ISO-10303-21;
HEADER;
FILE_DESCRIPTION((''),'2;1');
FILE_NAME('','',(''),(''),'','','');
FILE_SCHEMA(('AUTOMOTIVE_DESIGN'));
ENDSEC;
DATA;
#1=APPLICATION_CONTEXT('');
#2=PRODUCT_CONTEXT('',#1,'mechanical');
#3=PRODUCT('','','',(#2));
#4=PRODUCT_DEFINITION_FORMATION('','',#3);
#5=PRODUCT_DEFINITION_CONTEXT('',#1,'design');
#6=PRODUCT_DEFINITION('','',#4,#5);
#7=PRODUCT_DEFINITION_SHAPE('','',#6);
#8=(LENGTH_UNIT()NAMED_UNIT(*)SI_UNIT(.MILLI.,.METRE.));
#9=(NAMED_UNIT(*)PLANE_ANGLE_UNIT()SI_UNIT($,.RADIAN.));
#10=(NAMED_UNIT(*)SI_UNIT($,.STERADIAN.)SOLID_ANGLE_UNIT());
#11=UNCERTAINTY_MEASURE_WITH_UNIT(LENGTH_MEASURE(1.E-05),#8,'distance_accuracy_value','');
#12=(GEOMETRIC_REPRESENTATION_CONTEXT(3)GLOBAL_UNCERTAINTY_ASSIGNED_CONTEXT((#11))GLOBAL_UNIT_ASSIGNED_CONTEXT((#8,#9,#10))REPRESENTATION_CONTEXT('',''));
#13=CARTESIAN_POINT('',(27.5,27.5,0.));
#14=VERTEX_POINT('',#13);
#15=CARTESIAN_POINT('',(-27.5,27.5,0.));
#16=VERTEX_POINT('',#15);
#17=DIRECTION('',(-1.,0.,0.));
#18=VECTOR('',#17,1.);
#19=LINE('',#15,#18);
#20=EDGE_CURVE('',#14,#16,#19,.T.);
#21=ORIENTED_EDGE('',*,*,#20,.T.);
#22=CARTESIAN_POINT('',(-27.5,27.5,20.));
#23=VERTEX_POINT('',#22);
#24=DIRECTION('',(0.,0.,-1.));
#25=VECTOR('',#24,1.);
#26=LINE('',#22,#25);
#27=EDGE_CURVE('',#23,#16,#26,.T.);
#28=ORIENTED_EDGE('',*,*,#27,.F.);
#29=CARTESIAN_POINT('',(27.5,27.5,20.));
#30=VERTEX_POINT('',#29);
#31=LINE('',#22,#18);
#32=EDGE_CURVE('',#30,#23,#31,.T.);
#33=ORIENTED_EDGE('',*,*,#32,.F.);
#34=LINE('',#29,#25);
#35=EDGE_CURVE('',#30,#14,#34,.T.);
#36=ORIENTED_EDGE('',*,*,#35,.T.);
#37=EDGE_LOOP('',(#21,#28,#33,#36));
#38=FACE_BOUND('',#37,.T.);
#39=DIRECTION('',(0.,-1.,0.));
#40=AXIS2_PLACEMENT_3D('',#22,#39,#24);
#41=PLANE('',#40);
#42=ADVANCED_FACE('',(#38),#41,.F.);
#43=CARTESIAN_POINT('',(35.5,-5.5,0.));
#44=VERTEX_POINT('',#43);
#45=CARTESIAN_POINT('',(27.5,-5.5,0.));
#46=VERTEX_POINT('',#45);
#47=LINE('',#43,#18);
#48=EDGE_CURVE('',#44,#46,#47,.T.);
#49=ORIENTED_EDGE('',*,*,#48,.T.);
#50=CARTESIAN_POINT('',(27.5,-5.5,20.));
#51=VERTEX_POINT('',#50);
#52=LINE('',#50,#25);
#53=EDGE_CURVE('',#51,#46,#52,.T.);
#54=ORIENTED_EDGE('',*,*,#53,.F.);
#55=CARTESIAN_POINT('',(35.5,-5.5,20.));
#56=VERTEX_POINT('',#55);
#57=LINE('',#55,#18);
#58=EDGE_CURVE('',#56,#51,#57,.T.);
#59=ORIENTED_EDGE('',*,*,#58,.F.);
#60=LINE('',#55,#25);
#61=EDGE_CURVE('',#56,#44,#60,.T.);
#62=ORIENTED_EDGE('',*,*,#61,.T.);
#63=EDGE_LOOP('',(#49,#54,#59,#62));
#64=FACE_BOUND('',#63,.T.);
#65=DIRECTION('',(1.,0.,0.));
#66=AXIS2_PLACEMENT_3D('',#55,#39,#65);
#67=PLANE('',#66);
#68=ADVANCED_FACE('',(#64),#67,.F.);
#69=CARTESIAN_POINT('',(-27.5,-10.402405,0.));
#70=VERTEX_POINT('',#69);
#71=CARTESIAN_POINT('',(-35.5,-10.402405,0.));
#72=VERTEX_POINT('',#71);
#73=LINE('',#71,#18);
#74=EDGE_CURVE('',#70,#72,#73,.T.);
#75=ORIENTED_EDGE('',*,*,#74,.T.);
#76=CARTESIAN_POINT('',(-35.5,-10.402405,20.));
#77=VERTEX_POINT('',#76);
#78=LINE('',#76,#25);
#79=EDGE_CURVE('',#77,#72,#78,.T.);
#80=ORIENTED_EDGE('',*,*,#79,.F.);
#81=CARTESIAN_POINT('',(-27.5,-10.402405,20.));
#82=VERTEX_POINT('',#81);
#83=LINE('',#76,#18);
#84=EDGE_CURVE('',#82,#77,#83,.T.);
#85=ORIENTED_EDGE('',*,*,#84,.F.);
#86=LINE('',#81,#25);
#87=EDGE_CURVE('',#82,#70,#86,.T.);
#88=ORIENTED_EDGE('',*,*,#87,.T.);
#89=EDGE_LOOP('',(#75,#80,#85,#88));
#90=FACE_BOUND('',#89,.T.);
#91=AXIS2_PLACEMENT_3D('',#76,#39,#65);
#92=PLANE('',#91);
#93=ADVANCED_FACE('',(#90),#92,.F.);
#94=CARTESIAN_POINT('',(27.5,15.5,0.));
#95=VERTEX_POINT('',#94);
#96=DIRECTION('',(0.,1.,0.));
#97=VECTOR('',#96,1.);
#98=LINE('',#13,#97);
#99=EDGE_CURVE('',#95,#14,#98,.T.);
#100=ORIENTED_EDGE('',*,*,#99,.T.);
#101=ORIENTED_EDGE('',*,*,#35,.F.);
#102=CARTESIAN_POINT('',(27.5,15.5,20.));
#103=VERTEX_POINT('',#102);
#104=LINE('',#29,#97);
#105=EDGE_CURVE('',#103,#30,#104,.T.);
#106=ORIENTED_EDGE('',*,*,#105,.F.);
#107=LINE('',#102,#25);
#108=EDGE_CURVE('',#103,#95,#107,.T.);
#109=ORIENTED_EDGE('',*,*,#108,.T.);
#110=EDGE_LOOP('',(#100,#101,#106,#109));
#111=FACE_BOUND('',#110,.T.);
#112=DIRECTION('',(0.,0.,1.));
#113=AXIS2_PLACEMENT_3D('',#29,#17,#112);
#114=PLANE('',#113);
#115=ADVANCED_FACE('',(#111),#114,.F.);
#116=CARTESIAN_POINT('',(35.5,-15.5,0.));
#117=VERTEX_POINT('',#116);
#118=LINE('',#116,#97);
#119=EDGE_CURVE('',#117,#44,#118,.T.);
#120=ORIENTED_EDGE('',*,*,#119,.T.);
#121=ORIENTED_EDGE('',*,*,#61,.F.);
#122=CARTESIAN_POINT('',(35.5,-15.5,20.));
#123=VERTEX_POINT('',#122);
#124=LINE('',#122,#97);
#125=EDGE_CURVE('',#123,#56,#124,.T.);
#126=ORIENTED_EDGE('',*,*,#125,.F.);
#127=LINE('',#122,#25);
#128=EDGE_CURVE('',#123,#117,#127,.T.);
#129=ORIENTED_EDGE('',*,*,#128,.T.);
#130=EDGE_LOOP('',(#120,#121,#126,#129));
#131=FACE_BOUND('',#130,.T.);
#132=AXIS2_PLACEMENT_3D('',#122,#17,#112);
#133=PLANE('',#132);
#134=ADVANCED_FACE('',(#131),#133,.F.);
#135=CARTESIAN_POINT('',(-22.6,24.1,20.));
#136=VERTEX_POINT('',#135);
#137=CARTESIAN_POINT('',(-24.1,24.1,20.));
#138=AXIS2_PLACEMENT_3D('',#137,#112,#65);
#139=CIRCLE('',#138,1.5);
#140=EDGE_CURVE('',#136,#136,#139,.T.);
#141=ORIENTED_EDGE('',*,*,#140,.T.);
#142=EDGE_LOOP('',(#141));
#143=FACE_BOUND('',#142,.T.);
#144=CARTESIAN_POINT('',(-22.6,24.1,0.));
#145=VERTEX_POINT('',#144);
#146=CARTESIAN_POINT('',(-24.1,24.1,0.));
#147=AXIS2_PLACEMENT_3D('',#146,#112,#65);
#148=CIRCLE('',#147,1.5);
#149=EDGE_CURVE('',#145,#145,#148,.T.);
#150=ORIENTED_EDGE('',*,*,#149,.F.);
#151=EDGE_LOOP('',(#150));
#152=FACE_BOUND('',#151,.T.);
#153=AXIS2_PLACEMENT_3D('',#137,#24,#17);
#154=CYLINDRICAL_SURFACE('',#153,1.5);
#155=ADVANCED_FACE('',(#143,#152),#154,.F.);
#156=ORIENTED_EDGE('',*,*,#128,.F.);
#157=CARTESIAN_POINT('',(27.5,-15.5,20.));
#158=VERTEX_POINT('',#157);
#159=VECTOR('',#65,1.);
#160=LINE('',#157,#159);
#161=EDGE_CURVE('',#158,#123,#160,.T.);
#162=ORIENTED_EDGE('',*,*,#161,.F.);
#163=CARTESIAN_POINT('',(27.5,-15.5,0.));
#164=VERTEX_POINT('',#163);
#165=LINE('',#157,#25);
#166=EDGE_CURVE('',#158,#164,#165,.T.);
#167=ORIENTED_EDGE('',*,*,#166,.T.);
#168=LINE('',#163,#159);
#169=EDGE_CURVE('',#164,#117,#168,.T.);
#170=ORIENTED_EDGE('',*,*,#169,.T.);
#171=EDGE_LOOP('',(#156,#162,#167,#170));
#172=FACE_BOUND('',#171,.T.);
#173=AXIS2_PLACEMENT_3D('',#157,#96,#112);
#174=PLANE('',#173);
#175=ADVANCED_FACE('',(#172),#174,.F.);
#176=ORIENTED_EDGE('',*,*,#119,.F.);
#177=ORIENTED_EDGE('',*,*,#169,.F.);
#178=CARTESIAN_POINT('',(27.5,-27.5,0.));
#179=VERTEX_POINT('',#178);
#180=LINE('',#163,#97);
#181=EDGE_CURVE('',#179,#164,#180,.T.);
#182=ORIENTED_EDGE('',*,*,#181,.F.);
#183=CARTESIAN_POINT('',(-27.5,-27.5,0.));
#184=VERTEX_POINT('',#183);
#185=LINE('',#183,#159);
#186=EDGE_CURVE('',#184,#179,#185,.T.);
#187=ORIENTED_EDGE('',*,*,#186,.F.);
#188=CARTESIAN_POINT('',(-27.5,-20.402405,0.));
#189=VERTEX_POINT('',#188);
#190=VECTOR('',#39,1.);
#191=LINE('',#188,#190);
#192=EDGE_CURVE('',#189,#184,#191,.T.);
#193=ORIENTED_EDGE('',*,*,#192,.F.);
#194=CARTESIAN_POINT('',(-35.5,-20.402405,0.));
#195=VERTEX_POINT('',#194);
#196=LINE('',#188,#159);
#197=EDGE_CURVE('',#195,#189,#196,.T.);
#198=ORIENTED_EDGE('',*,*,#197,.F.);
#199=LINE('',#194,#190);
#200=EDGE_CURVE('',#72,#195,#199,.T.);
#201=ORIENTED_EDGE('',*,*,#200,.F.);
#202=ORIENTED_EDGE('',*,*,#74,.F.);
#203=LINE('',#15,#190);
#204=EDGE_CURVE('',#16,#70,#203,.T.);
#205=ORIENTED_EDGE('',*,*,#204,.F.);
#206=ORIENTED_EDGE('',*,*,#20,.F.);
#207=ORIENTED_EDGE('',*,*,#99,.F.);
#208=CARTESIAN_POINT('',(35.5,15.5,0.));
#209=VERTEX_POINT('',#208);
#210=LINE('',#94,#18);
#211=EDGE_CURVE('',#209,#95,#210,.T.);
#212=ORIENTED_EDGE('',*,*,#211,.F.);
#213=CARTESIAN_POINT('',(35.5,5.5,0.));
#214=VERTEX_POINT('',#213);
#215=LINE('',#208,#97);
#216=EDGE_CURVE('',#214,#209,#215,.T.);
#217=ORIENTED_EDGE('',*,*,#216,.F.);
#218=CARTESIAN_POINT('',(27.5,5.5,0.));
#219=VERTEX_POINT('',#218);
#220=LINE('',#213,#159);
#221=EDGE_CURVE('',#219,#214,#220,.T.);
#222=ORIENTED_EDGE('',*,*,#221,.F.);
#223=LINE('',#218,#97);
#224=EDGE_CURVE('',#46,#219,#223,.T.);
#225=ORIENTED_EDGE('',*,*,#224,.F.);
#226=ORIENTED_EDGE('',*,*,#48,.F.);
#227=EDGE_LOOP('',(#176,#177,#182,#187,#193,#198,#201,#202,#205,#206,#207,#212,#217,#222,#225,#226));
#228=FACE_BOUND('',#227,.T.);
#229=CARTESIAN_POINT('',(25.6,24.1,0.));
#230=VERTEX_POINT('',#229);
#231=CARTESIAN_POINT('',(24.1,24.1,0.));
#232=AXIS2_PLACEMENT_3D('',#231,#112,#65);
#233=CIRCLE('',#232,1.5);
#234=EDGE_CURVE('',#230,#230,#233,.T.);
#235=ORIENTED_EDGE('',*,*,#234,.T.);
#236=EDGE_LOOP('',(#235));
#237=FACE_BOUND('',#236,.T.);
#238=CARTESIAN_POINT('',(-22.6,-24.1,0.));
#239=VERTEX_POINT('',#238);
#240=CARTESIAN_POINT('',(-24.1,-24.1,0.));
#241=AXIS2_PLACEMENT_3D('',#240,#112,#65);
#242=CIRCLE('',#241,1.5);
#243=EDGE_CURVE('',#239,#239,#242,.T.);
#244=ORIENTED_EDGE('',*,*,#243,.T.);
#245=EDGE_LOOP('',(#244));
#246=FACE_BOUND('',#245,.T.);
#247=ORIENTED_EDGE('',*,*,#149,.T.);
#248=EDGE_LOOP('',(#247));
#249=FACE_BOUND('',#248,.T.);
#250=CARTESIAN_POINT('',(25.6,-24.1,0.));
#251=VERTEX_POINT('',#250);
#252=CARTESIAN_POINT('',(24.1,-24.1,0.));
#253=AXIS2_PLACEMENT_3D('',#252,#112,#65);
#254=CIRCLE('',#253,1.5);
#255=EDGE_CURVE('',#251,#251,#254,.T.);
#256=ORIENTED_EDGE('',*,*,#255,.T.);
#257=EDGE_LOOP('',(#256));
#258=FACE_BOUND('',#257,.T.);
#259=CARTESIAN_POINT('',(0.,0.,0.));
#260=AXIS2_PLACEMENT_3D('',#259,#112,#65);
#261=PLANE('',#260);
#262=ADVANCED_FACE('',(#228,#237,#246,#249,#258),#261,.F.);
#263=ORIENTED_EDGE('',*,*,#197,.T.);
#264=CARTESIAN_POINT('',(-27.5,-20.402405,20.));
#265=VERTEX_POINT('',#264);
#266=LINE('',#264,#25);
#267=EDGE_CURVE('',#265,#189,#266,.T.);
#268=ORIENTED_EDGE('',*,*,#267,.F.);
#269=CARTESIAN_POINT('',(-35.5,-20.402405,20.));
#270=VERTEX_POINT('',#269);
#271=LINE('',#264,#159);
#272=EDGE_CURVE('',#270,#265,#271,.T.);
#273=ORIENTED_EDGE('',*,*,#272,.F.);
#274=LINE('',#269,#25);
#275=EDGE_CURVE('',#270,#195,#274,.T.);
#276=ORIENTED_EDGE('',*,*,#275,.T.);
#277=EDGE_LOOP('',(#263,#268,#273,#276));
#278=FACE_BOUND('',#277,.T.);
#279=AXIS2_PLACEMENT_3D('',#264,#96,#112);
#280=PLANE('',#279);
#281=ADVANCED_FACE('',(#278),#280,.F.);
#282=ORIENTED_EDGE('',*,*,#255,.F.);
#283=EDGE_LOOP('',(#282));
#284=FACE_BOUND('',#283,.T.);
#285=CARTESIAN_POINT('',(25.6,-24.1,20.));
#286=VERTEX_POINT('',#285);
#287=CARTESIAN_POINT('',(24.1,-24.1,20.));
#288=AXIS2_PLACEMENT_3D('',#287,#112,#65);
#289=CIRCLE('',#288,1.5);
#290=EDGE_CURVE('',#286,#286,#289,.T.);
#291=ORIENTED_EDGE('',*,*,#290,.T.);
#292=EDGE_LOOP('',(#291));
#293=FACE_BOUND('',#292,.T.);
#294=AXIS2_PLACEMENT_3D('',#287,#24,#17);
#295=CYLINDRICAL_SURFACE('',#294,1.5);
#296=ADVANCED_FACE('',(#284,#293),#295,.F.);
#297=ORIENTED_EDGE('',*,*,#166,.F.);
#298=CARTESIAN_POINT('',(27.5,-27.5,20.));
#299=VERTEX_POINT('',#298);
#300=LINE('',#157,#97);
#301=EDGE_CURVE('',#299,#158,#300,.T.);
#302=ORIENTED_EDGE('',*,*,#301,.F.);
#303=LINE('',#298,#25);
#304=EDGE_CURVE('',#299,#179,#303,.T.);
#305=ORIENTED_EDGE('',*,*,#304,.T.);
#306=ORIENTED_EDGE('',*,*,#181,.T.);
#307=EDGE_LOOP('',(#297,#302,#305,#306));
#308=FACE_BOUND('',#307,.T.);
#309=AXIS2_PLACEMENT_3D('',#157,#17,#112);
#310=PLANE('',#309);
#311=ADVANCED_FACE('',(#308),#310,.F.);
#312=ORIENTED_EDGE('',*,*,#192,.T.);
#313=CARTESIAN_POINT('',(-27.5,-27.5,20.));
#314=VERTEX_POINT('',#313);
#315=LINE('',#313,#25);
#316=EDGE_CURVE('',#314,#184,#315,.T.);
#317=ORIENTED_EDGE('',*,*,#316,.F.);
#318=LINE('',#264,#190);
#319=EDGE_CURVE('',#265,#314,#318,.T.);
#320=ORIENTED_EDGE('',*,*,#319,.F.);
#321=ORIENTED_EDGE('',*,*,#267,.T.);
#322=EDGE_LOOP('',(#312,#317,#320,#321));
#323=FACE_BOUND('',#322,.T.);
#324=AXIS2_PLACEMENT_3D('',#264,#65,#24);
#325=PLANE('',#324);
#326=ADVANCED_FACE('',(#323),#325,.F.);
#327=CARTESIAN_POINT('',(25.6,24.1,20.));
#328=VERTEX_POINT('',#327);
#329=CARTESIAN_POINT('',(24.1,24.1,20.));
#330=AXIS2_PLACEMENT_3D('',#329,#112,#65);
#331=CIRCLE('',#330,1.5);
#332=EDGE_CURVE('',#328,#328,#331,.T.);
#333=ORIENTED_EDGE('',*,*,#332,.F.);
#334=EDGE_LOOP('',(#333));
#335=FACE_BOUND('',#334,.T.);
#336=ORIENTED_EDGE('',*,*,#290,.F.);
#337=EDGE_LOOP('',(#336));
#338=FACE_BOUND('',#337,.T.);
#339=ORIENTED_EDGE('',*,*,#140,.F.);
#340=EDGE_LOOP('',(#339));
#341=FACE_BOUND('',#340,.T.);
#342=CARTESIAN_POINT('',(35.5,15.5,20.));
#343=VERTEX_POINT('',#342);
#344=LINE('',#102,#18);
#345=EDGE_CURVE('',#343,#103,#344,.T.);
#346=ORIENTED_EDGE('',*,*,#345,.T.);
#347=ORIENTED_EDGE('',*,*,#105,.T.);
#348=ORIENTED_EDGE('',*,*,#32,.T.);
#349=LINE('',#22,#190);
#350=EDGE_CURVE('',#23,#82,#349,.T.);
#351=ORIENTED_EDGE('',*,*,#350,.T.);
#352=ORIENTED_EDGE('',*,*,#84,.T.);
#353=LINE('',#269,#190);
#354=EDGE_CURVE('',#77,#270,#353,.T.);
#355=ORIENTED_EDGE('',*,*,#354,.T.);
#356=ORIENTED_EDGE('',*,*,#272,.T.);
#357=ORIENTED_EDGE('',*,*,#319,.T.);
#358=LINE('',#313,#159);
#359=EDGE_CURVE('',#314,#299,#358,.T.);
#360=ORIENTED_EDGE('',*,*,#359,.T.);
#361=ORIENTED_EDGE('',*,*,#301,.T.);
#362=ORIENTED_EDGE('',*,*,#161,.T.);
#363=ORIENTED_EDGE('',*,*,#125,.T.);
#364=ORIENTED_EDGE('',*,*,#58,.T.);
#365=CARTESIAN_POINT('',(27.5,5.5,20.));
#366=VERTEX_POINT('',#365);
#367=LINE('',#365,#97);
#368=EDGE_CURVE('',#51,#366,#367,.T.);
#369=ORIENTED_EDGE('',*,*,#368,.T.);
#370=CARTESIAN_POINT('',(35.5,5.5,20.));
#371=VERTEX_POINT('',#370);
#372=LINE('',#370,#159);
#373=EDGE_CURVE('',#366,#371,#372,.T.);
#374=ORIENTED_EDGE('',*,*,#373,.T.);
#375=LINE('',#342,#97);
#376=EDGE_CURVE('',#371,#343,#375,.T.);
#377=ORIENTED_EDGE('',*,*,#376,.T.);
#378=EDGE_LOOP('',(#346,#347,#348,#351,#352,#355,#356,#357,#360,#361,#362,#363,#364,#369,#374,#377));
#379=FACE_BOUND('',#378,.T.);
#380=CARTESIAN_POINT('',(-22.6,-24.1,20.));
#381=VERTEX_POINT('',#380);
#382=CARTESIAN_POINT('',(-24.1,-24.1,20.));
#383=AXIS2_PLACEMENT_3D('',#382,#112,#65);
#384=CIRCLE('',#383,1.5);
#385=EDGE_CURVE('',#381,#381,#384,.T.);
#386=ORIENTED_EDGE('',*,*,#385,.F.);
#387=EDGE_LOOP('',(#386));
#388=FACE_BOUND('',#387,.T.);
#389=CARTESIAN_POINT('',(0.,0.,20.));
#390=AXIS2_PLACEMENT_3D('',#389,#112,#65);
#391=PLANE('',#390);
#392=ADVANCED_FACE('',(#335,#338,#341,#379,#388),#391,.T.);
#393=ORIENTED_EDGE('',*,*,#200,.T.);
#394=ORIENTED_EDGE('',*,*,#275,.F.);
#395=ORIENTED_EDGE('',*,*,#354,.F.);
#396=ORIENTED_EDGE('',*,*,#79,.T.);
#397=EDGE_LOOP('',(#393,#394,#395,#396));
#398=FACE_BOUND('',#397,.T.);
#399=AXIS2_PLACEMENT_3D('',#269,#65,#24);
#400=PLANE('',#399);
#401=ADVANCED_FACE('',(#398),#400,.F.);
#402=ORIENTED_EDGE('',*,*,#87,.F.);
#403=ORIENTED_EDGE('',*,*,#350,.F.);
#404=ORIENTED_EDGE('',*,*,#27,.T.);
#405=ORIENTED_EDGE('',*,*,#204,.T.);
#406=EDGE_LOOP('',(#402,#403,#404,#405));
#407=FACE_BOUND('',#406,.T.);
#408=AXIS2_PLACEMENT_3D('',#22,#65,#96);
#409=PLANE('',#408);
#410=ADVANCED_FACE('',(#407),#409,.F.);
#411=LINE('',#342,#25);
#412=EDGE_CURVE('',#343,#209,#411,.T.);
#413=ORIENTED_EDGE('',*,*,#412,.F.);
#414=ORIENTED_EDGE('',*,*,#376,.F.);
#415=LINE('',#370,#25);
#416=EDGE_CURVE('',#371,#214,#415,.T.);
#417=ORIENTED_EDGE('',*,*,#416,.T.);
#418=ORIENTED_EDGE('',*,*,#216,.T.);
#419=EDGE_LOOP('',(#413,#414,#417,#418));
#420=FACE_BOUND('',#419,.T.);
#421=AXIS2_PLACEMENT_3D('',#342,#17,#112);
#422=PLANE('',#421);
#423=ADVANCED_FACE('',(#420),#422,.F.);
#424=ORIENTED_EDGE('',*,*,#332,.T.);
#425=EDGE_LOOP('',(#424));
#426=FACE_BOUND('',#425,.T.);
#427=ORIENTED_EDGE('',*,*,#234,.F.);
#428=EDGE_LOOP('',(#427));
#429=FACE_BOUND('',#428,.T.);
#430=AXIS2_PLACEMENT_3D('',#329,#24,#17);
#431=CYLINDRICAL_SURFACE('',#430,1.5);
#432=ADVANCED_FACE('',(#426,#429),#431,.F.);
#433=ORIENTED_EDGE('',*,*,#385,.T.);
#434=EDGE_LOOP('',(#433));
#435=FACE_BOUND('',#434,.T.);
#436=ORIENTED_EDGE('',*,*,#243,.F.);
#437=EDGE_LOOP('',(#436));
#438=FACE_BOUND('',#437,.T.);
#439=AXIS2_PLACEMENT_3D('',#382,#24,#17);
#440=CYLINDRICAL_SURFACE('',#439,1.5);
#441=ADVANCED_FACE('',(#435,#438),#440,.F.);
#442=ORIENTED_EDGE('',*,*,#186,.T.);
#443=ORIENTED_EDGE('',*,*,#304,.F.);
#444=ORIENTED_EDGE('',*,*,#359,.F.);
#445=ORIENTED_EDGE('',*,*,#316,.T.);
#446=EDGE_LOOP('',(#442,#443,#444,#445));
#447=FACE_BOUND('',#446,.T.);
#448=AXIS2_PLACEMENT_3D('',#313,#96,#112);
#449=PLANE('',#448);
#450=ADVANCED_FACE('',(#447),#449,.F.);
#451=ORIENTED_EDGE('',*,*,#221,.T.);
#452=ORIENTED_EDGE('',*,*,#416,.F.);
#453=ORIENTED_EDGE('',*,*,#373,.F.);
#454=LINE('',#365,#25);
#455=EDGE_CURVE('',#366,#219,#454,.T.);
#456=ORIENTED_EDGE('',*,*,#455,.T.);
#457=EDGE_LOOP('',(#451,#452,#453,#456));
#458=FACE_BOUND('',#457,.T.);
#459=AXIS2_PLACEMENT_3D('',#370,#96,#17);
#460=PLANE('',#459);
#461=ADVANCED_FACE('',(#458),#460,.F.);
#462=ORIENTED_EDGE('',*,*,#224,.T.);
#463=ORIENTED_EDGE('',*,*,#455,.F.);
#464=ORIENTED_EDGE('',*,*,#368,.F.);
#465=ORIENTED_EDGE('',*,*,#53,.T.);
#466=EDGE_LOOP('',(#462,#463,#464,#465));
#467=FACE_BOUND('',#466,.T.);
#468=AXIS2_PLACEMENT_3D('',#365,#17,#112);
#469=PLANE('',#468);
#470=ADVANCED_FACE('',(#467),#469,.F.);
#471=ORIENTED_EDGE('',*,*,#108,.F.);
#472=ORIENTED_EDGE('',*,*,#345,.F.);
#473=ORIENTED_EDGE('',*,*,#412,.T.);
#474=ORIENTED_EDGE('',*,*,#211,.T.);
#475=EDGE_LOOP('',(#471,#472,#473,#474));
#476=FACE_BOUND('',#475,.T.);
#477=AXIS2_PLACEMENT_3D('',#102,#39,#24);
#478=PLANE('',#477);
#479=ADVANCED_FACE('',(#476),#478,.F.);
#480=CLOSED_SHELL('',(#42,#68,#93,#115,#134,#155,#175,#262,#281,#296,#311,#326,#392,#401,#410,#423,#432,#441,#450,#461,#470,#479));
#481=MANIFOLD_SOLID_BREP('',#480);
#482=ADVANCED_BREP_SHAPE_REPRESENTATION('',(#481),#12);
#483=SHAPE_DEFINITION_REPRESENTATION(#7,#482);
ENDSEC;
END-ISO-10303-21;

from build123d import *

# Parameters (mm, degrees)
SKETCH_1_R      = 1.5
EXTRUDE_1_DEPTH = 20


with BuildPart() as part:
    # 草图1 → 凸台-拉伸1 (new body)
    with BuildSketch(Plane.XY):
        Polygon((-27.5, -20.402404897), (-35.5, -20.402404897), (-35.5, -10.402404897), (-27.5, -10.402404897), (-27.5, 27.5), (27.5, 27.5), (27.5, 15.5), (35.5, 15.5), (35.5, 5.5), (27.5, 5.5), (27.5, -5.5), (35.5, -5.5), (35.5, -15.5), (27.5, -15.5), (27.5, -27.5), (-27.5, -27.5), align=None)
        with Locations((-24.1, 24.1)):
            Circle(SKETCH_1_R, mode=Mode.SUBTRACT)
        with Locations((24.1, 24.1)):
            Circle(SKETCH_1_R, mode=Mode.SUBTRACT)
        with Locations((-24.1, -24.1)):
            Circle(SKETCH_1_R, mode=Mode.SUBTRACT)
        with Locations((24.1, -24.1)):
            Circle(SKETCH_1_R, mode=Mode.SUBTRACT)
    extrude(amount=EXTRUDE_1_DEPTH)


solid = part.part
